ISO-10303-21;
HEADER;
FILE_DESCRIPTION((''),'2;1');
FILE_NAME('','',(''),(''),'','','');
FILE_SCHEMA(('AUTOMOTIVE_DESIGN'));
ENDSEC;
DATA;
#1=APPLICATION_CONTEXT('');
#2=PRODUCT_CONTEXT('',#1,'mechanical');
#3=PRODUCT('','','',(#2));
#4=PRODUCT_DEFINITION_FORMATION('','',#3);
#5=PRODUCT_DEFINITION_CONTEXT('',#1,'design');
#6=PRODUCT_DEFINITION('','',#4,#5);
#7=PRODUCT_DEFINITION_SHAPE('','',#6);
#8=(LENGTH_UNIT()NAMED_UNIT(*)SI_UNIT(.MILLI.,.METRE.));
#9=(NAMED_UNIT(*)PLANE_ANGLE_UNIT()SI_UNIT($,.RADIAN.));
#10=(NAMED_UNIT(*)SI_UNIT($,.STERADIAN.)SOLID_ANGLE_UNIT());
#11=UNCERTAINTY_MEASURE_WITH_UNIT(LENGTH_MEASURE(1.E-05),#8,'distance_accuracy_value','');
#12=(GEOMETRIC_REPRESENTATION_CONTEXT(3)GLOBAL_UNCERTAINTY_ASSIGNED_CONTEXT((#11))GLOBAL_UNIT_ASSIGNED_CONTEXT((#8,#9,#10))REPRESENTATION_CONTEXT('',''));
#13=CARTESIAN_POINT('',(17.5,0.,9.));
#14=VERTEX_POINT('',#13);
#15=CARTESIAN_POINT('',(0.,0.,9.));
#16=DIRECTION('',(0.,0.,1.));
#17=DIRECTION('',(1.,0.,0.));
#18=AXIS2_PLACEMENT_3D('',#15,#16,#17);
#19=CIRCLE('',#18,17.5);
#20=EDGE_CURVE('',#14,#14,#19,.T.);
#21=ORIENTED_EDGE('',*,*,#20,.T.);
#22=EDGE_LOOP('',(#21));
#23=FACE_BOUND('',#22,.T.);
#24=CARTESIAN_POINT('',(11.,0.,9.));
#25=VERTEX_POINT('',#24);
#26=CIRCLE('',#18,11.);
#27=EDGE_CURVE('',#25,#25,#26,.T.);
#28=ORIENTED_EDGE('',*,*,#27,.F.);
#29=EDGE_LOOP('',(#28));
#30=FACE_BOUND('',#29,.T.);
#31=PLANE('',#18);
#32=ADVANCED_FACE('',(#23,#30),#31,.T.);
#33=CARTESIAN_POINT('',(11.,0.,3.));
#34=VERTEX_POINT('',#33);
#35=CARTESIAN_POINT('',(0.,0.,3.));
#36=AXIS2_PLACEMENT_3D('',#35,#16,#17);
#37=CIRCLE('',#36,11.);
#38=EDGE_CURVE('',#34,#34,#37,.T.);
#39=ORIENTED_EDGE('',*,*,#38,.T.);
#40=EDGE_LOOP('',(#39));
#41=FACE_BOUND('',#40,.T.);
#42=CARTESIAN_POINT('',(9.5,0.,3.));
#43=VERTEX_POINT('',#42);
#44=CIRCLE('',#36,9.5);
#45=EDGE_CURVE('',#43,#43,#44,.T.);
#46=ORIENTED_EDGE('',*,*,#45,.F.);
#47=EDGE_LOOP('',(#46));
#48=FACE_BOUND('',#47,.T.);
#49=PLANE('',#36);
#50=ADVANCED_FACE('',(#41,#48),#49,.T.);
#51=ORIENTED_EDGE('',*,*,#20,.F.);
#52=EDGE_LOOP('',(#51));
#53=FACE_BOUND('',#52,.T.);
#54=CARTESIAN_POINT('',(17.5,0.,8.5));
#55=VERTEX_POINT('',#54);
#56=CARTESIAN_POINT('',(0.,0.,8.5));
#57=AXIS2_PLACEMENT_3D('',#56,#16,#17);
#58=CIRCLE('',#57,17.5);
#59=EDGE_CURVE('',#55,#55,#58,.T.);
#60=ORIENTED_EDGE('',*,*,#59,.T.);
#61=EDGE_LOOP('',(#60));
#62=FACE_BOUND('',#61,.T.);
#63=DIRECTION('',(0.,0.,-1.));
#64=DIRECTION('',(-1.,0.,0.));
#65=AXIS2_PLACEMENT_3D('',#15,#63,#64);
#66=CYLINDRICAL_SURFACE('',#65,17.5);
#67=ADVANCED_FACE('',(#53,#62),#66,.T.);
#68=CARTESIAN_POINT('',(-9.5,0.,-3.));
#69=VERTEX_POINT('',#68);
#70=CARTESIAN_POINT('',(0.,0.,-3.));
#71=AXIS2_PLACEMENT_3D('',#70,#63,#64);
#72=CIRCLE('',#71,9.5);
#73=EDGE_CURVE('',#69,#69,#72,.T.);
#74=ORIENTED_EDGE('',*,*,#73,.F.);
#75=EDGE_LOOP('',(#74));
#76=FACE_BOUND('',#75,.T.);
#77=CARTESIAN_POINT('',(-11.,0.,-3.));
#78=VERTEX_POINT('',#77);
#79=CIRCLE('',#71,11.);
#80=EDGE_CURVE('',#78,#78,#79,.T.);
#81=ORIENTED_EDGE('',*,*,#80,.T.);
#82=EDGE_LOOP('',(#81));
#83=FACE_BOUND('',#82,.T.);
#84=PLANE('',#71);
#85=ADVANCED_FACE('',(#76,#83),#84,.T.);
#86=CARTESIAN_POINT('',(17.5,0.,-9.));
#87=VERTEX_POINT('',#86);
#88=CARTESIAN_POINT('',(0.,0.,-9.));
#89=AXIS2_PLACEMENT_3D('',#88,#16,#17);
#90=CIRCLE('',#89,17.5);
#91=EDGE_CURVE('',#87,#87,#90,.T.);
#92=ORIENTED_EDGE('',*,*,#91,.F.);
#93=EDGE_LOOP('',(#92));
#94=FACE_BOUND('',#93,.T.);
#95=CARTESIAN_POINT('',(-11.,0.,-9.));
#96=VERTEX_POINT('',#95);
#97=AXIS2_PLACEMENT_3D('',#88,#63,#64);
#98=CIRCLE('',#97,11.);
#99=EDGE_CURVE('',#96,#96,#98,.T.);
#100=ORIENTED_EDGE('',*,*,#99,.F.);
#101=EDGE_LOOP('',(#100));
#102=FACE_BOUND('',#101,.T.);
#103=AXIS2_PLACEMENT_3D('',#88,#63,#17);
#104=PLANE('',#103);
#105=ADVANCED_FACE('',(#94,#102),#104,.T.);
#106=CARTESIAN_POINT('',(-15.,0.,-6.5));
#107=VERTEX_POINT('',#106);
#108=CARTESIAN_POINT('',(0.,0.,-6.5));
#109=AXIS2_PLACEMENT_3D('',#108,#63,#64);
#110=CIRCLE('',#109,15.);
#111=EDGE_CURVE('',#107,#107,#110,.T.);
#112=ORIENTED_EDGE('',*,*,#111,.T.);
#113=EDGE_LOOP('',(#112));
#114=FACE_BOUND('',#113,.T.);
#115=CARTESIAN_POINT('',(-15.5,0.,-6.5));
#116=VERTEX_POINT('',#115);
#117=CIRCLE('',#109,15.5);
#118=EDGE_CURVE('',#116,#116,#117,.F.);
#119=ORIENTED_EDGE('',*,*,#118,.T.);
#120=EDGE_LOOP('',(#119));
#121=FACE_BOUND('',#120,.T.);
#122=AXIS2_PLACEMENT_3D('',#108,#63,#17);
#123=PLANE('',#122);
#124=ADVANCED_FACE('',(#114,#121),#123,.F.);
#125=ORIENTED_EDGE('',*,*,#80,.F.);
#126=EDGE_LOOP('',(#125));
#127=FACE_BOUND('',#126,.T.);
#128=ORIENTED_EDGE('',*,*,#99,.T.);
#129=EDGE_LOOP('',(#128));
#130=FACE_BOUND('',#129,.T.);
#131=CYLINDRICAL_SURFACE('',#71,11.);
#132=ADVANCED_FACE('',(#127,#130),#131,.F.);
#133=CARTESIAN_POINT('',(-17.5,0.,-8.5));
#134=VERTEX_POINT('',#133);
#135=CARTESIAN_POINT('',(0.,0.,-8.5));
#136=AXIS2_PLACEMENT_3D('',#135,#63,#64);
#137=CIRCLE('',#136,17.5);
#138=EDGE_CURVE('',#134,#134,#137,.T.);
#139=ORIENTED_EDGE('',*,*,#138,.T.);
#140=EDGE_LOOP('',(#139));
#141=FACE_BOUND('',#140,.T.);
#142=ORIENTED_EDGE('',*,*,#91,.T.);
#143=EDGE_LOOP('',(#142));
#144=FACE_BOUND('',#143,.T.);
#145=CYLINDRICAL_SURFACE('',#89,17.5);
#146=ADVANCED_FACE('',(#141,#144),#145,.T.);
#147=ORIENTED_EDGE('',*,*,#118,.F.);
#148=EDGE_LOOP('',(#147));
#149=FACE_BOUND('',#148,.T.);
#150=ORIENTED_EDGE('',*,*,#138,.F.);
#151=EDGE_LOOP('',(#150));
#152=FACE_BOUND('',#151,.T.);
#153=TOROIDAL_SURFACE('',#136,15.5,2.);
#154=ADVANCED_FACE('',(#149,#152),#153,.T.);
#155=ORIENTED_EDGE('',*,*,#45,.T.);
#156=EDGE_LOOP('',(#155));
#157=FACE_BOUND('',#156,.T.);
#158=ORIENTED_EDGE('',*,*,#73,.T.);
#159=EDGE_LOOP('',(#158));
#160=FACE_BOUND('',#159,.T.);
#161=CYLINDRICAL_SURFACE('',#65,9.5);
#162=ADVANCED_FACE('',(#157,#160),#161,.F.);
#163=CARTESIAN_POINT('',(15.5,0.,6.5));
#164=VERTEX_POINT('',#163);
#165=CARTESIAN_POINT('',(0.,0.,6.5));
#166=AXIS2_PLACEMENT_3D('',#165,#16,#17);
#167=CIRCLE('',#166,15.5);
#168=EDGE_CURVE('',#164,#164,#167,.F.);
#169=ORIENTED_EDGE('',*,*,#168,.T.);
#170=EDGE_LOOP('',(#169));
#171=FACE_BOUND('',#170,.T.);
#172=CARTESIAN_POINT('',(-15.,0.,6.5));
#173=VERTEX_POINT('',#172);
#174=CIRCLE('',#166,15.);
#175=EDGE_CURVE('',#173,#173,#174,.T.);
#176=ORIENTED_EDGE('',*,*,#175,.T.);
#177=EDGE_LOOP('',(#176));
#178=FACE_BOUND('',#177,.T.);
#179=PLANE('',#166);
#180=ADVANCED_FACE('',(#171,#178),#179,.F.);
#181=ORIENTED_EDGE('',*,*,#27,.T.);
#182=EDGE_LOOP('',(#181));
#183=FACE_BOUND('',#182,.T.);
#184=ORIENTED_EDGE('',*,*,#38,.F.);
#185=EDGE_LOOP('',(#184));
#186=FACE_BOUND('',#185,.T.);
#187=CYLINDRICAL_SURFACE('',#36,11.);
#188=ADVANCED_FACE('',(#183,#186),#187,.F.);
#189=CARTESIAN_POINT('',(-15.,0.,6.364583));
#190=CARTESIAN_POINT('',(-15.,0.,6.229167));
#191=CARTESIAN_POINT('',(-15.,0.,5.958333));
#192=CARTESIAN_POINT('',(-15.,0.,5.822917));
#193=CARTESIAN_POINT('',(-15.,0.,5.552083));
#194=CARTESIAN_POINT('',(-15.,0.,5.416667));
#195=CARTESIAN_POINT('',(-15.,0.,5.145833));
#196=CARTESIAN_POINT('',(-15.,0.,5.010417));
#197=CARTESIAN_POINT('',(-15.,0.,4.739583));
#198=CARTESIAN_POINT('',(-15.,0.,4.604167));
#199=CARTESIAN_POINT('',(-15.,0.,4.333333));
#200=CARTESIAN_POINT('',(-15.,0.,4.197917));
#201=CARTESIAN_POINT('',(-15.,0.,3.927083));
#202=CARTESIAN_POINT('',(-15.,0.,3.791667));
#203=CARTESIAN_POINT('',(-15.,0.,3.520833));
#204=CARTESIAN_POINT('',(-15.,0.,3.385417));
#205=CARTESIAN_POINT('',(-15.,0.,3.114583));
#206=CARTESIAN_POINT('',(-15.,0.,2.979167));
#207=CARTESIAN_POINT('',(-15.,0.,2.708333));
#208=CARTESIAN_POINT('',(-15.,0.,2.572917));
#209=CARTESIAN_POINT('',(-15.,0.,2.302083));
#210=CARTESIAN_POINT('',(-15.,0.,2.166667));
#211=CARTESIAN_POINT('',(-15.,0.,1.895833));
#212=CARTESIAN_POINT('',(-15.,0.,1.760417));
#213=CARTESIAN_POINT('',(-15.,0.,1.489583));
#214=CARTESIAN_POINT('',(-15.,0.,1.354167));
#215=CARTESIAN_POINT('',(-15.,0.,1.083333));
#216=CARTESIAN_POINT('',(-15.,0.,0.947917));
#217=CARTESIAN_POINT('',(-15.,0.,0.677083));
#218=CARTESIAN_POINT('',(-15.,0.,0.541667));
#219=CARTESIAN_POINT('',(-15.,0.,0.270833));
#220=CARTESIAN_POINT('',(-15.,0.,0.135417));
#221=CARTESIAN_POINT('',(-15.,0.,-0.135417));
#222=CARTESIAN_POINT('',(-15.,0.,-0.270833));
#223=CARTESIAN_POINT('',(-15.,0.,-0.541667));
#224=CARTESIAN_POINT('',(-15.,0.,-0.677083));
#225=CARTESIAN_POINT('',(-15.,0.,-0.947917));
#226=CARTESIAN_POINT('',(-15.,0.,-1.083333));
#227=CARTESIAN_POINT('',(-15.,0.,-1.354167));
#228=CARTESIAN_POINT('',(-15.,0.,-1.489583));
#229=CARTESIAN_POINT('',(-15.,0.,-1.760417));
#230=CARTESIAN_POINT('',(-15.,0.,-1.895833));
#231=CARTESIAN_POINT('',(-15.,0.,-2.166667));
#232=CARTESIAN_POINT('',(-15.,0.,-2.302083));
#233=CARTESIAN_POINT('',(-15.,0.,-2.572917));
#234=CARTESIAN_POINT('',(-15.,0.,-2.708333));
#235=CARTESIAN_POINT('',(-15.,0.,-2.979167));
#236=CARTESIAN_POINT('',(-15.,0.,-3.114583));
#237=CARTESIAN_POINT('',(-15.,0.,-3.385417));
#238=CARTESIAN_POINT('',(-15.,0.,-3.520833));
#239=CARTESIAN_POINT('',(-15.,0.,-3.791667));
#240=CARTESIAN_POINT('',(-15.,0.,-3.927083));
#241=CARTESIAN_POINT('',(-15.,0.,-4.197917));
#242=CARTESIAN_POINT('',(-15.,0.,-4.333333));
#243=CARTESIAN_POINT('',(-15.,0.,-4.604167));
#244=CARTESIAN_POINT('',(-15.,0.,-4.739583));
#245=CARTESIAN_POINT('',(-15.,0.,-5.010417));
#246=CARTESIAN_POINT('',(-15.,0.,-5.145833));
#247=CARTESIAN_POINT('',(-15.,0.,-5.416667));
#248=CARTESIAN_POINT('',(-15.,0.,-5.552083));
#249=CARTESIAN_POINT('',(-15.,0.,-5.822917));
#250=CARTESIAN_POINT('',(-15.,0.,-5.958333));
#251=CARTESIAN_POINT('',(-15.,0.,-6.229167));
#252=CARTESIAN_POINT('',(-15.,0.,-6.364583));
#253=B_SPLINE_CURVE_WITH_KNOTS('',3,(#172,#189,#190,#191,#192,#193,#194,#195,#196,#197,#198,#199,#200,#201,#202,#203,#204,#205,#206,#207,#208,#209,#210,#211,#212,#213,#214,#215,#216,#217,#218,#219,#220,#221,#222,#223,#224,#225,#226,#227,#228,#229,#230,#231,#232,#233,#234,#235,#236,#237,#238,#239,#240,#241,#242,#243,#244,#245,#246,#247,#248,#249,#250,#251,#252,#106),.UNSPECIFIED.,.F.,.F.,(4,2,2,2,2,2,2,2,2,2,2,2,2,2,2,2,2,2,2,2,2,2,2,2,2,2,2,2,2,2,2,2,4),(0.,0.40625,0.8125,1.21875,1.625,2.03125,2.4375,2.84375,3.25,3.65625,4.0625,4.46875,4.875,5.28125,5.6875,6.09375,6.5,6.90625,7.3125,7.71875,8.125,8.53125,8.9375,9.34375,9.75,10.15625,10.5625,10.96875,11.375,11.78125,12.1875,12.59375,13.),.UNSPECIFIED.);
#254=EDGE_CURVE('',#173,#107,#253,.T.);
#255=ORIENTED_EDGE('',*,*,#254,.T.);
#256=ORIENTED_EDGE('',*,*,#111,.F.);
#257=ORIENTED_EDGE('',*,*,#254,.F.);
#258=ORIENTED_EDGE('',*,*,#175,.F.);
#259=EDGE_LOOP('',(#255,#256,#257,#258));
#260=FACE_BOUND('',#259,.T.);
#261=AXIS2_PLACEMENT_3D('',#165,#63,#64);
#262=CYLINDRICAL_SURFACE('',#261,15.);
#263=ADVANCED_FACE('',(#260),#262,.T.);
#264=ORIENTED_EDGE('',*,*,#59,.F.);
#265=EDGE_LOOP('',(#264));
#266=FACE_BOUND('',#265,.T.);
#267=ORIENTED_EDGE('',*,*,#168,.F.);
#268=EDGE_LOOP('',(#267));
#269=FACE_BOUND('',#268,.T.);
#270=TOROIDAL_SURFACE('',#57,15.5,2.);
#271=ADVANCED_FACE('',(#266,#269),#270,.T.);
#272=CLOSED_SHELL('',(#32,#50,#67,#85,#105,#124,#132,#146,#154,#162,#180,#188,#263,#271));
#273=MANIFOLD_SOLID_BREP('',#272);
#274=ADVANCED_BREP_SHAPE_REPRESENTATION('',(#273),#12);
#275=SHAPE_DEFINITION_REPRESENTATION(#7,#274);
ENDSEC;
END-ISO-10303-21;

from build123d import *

# Parameters (mm, degrees)
SKETCH_1_R          = 15
EXTRUDE_1_DEPTH     = 6.5
SKETCH_2_R          = 17.5
EXTRUDE_2_DEPTH     = 2.5
SKETCH_3_R          = 11
CUT_EXTRUDE_1_DEPTH = 6
CUT_EXTRUDE_START   = -6
SKETCH_4_R          = 11
CUT_EXTRUDE_2_DEPTH = 6
SKETCH_5_R          = 9.5
CUT_EXTRUDE_3_DEPTH = 28.504545079
FILLET_1_R          = 2


with BuildPart() as part:
    # 草图1 → 拉伸1 (new, symmetric)
    with BuildSketch(Plane.XY):
        with Locations(Location((0, 0, 0), (0, 0, 180))):
            Circle(SKETCH_1_R)
    extrude(amount=EXTRUDE_1_DEPTH, both=True)

    # 草图2 → 拉伸2 (add)
    with BuildSketch(Plane.XY.offset(6.5)):
        Circle(SKETCH_2_R)
    extrude_2 = extrude(amount=EXTRUDE_2_DEPTH)

    # 镜向1: 拉伸2 across plane
    add(extrude_2.mirror(Plane.XY))

    # 草图3 → 切除-拉伸1 (cut)
    with BuildSketch(Plane.XY.offset(9)):
        Circle(SKETCH_3_R)
    extrude(amount=-CUT_EXTRUDE_1_DEPTH, mode=Mode.SUBTRACT)

    # 草图4 → 切除-拉伸2 (cut)
    with BuildSketch(Plane(origin=(0, 0, -9), x_dir=(-1, 0, 0), z_dir=(0, 0, -1)).offset(CUT_EXTRUDE_START)):
        with Locations(Location((0, 0, 0), (0, 0, 180))):
            Circle(SKETCH_4_R)
    extrude(amount=CUT_EXTRUDE_2_DEPTH, mode=Mode.SUBTRACT)

    # 草图5 → 切除-拉伸3 (cut, through all)
    with BuildSketch(Plane(origin=(0, 0, -3), x_dir=(-1, 0, 0), z_dir=(0, 0, -1))):
        Circle(SKETCH_5_R)
    extrude(amount=-CUT_EXTRUDE_3_DEPTH, mode=Mode.SUBTRACT)

    # 圆角1
    fillet_1_edges = [part.edges().sort_by_distance(p)[0] for p in [
        (-17.5, 0, 6.5),
        (-17.5, 0, -6.5),
    ]]
    fillet(fillet_1_edges, radius=FILLET_1_R)


solid = part.part
